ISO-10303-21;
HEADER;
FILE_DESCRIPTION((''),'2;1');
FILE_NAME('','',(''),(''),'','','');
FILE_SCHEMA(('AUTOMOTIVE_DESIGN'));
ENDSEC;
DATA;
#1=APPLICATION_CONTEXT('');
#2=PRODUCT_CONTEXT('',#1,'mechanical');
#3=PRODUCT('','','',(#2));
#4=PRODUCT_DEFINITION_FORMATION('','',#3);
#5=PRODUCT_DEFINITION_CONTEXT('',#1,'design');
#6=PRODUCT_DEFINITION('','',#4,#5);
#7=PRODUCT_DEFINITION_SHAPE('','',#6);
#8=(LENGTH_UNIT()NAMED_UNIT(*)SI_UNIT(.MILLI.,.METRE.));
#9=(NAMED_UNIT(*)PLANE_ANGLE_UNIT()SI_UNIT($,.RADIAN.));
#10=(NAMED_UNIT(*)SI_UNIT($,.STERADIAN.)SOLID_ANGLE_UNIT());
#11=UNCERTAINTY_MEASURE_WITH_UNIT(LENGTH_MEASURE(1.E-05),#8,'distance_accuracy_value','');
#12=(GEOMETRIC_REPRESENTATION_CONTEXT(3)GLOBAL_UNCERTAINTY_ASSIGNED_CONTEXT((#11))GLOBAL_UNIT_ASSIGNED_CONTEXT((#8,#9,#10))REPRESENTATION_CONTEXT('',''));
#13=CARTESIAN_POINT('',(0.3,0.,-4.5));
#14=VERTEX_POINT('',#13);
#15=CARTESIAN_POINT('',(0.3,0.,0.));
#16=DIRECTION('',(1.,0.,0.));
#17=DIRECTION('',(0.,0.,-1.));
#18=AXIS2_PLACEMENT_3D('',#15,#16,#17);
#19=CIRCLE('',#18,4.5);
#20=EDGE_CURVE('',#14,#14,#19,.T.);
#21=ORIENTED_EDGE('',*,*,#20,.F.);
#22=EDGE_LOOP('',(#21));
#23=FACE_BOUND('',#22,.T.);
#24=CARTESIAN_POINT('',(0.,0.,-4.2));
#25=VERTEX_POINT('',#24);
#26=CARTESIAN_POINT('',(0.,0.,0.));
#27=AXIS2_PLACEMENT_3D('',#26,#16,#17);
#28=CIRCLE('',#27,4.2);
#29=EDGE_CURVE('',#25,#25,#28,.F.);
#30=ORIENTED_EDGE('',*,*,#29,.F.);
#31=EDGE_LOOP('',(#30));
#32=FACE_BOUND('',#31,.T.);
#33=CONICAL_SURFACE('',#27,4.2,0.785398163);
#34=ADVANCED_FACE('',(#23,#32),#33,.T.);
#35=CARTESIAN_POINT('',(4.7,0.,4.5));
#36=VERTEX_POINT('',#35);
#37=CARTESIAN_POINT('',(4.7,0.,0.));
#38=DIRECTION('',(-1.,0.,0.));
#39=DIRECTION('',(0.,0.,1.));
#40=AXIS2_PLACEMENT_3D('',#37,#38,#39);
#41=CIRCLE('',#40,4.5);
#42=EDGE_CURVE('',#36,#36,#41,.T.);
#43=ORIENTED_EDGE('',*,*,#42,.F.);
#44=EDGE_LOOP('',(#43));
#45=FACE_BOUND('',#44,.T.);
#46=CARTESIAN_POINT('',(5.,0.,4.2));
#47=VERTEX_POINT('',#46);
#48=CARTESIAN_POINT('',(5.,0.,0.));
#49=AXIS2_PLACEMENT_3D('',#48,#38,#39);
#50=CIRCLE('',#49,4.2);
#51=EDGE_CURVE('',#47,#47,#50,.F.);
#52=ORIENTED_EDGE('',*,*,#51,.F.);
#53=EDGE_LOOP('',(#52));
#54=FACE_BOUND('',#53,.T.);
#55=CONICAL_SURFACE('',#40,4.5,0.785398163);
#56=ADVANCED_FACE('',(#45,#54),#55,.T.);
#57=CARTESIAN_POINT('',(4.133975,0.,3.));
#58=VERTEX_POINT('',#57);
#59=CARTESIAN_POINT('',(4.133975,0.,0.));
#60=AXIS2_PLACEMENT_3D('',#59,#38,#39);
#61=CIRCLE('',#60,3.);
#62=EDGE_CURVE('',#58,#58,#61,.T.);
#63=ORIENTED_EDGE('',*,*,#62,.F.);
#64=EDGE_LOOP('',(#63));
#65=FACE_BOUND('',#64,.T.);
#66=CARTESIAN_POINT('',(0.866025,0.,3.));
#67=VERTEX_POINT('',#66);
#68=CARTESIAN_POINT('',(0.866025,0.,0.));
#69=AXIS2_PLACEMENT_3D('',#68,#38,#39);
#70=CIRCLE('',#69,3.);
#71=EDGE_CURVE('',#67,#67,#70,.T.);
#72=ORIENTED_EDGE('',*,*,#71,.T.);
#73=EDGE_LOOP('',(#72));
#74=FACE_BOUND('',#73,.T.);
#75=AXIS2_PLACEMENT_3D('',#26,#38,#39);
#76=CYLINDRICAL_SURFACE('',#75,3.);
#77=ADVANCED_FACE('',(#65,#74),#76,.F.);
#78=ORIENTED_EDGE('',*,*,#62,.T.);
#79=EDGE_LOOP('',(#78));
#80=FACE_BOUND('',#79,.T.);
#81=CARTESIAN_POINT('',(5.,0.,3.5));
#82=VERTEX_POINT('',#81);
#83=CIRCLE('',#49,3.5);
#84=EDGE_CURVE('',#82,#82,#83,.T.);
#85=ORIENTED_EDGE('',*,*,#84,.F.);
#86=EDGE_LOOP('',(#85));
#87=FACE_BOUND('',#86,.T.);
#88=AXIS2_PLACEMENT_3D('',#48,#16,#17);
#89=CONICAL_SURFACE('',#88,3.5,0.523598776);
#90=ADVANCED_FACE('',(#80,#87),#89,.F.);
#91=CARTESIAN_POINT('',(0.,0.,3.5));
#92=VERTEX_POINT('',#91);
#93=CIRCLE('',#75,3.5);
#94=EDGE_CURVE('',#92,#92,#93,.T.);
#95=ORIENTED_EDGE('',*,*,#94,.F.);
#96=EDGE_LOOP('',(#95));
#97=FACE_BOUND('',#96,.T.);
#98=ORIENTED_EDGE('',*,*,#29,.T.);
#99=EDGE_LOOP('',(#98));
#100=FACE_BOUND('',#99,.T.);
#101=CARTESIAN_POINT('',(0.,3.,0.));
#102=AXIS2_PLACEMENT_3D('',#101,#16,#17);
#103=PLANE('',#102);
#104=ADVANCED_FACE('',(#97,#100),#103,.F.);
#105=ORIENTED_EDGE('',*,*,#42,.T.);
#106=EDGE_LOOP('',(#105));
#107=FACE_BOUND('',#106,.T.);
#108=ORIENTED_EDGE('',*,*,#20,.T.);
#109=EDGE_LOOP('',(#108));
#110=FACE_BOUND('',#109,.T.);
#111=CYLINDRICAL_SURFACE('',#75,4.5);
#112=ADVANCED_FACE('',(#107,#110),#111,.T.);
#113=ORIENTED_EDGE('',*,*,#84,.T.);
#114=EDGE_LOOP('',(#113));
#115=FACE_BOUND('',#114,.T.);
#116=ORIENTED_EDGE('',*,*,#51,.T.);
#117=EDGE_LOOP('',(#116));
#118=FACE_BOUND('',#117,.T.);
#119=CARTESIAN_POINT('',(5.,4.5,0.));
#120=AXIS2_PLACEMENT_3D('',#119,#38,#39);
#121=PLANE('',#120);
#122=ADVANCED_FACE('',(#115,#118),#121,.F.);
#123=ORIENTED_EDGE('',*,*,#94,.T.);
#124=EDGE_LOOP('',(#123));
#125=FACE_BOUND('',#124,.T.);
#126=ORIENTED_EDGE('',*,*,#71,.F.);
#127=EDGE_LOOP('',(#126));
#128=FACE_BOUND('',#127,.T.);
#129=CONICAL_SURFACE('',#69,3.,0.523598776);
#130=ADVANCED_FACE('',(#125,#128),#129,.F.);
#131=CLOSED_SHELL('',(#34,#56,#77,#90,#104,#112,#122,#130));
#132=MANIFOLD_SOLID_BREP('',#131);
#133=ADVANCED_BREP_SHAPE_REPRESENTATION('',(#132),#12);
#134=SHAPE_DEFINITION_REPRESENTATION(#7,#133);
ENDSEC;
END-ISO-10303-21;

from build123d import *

# Parameters (mm, degrees)
SKETCH1_W     = 5
SKETCH1_H     = 1.5
CHAMFER1_SIZE = 0.3


with BuildPart() as part:
    # Sketch1 → Revolve1 (revolve)
    with BuildSketch(Plane.XY, mode=Mode.PRIVATE) as revolve1_sk:
        with Locations((2.5, 3.75)):
            Rectangle(SKETCH1_W, SKETCH1_H)
    revolve(revolve1_sk.sketch.rotate(Axis((0, 0, 0), (1, 0, 0)), 90), axis=Axis((0, 0, 0), (1, 0, 0)))

    # Chamfer1
    chamfer1_edges = [part.edges().sort_by_distance(p)[0] for p in [
        (5, 0, -4.5),
        (0, 0, -4.5),
    ]]
    chamfer(chamfer1_edges, length=CHAMFER1_SIZE)

    # Sketch2 → Cut-Revolve1 (revolve, cut)
    with BuildSketch(Plane.XY, mode=Mode.PRIVATE) as cut_revolve1_sk:
        Polygon((0, 3.5), (0, 3), (0.866025404, 3), align=None)
        Polygon((4.133974596, 3), (5, 3.5), (5, 3), align=None)
    revolve(cut_revolve1_sk.sketch.rotate(Axis((0, 0, 0), (1, 0, 0)), 90), axis=Axis((0, 0, 0), (1, 0, 0)), mode=Mode.SUBTRACT)


solid = part.part
